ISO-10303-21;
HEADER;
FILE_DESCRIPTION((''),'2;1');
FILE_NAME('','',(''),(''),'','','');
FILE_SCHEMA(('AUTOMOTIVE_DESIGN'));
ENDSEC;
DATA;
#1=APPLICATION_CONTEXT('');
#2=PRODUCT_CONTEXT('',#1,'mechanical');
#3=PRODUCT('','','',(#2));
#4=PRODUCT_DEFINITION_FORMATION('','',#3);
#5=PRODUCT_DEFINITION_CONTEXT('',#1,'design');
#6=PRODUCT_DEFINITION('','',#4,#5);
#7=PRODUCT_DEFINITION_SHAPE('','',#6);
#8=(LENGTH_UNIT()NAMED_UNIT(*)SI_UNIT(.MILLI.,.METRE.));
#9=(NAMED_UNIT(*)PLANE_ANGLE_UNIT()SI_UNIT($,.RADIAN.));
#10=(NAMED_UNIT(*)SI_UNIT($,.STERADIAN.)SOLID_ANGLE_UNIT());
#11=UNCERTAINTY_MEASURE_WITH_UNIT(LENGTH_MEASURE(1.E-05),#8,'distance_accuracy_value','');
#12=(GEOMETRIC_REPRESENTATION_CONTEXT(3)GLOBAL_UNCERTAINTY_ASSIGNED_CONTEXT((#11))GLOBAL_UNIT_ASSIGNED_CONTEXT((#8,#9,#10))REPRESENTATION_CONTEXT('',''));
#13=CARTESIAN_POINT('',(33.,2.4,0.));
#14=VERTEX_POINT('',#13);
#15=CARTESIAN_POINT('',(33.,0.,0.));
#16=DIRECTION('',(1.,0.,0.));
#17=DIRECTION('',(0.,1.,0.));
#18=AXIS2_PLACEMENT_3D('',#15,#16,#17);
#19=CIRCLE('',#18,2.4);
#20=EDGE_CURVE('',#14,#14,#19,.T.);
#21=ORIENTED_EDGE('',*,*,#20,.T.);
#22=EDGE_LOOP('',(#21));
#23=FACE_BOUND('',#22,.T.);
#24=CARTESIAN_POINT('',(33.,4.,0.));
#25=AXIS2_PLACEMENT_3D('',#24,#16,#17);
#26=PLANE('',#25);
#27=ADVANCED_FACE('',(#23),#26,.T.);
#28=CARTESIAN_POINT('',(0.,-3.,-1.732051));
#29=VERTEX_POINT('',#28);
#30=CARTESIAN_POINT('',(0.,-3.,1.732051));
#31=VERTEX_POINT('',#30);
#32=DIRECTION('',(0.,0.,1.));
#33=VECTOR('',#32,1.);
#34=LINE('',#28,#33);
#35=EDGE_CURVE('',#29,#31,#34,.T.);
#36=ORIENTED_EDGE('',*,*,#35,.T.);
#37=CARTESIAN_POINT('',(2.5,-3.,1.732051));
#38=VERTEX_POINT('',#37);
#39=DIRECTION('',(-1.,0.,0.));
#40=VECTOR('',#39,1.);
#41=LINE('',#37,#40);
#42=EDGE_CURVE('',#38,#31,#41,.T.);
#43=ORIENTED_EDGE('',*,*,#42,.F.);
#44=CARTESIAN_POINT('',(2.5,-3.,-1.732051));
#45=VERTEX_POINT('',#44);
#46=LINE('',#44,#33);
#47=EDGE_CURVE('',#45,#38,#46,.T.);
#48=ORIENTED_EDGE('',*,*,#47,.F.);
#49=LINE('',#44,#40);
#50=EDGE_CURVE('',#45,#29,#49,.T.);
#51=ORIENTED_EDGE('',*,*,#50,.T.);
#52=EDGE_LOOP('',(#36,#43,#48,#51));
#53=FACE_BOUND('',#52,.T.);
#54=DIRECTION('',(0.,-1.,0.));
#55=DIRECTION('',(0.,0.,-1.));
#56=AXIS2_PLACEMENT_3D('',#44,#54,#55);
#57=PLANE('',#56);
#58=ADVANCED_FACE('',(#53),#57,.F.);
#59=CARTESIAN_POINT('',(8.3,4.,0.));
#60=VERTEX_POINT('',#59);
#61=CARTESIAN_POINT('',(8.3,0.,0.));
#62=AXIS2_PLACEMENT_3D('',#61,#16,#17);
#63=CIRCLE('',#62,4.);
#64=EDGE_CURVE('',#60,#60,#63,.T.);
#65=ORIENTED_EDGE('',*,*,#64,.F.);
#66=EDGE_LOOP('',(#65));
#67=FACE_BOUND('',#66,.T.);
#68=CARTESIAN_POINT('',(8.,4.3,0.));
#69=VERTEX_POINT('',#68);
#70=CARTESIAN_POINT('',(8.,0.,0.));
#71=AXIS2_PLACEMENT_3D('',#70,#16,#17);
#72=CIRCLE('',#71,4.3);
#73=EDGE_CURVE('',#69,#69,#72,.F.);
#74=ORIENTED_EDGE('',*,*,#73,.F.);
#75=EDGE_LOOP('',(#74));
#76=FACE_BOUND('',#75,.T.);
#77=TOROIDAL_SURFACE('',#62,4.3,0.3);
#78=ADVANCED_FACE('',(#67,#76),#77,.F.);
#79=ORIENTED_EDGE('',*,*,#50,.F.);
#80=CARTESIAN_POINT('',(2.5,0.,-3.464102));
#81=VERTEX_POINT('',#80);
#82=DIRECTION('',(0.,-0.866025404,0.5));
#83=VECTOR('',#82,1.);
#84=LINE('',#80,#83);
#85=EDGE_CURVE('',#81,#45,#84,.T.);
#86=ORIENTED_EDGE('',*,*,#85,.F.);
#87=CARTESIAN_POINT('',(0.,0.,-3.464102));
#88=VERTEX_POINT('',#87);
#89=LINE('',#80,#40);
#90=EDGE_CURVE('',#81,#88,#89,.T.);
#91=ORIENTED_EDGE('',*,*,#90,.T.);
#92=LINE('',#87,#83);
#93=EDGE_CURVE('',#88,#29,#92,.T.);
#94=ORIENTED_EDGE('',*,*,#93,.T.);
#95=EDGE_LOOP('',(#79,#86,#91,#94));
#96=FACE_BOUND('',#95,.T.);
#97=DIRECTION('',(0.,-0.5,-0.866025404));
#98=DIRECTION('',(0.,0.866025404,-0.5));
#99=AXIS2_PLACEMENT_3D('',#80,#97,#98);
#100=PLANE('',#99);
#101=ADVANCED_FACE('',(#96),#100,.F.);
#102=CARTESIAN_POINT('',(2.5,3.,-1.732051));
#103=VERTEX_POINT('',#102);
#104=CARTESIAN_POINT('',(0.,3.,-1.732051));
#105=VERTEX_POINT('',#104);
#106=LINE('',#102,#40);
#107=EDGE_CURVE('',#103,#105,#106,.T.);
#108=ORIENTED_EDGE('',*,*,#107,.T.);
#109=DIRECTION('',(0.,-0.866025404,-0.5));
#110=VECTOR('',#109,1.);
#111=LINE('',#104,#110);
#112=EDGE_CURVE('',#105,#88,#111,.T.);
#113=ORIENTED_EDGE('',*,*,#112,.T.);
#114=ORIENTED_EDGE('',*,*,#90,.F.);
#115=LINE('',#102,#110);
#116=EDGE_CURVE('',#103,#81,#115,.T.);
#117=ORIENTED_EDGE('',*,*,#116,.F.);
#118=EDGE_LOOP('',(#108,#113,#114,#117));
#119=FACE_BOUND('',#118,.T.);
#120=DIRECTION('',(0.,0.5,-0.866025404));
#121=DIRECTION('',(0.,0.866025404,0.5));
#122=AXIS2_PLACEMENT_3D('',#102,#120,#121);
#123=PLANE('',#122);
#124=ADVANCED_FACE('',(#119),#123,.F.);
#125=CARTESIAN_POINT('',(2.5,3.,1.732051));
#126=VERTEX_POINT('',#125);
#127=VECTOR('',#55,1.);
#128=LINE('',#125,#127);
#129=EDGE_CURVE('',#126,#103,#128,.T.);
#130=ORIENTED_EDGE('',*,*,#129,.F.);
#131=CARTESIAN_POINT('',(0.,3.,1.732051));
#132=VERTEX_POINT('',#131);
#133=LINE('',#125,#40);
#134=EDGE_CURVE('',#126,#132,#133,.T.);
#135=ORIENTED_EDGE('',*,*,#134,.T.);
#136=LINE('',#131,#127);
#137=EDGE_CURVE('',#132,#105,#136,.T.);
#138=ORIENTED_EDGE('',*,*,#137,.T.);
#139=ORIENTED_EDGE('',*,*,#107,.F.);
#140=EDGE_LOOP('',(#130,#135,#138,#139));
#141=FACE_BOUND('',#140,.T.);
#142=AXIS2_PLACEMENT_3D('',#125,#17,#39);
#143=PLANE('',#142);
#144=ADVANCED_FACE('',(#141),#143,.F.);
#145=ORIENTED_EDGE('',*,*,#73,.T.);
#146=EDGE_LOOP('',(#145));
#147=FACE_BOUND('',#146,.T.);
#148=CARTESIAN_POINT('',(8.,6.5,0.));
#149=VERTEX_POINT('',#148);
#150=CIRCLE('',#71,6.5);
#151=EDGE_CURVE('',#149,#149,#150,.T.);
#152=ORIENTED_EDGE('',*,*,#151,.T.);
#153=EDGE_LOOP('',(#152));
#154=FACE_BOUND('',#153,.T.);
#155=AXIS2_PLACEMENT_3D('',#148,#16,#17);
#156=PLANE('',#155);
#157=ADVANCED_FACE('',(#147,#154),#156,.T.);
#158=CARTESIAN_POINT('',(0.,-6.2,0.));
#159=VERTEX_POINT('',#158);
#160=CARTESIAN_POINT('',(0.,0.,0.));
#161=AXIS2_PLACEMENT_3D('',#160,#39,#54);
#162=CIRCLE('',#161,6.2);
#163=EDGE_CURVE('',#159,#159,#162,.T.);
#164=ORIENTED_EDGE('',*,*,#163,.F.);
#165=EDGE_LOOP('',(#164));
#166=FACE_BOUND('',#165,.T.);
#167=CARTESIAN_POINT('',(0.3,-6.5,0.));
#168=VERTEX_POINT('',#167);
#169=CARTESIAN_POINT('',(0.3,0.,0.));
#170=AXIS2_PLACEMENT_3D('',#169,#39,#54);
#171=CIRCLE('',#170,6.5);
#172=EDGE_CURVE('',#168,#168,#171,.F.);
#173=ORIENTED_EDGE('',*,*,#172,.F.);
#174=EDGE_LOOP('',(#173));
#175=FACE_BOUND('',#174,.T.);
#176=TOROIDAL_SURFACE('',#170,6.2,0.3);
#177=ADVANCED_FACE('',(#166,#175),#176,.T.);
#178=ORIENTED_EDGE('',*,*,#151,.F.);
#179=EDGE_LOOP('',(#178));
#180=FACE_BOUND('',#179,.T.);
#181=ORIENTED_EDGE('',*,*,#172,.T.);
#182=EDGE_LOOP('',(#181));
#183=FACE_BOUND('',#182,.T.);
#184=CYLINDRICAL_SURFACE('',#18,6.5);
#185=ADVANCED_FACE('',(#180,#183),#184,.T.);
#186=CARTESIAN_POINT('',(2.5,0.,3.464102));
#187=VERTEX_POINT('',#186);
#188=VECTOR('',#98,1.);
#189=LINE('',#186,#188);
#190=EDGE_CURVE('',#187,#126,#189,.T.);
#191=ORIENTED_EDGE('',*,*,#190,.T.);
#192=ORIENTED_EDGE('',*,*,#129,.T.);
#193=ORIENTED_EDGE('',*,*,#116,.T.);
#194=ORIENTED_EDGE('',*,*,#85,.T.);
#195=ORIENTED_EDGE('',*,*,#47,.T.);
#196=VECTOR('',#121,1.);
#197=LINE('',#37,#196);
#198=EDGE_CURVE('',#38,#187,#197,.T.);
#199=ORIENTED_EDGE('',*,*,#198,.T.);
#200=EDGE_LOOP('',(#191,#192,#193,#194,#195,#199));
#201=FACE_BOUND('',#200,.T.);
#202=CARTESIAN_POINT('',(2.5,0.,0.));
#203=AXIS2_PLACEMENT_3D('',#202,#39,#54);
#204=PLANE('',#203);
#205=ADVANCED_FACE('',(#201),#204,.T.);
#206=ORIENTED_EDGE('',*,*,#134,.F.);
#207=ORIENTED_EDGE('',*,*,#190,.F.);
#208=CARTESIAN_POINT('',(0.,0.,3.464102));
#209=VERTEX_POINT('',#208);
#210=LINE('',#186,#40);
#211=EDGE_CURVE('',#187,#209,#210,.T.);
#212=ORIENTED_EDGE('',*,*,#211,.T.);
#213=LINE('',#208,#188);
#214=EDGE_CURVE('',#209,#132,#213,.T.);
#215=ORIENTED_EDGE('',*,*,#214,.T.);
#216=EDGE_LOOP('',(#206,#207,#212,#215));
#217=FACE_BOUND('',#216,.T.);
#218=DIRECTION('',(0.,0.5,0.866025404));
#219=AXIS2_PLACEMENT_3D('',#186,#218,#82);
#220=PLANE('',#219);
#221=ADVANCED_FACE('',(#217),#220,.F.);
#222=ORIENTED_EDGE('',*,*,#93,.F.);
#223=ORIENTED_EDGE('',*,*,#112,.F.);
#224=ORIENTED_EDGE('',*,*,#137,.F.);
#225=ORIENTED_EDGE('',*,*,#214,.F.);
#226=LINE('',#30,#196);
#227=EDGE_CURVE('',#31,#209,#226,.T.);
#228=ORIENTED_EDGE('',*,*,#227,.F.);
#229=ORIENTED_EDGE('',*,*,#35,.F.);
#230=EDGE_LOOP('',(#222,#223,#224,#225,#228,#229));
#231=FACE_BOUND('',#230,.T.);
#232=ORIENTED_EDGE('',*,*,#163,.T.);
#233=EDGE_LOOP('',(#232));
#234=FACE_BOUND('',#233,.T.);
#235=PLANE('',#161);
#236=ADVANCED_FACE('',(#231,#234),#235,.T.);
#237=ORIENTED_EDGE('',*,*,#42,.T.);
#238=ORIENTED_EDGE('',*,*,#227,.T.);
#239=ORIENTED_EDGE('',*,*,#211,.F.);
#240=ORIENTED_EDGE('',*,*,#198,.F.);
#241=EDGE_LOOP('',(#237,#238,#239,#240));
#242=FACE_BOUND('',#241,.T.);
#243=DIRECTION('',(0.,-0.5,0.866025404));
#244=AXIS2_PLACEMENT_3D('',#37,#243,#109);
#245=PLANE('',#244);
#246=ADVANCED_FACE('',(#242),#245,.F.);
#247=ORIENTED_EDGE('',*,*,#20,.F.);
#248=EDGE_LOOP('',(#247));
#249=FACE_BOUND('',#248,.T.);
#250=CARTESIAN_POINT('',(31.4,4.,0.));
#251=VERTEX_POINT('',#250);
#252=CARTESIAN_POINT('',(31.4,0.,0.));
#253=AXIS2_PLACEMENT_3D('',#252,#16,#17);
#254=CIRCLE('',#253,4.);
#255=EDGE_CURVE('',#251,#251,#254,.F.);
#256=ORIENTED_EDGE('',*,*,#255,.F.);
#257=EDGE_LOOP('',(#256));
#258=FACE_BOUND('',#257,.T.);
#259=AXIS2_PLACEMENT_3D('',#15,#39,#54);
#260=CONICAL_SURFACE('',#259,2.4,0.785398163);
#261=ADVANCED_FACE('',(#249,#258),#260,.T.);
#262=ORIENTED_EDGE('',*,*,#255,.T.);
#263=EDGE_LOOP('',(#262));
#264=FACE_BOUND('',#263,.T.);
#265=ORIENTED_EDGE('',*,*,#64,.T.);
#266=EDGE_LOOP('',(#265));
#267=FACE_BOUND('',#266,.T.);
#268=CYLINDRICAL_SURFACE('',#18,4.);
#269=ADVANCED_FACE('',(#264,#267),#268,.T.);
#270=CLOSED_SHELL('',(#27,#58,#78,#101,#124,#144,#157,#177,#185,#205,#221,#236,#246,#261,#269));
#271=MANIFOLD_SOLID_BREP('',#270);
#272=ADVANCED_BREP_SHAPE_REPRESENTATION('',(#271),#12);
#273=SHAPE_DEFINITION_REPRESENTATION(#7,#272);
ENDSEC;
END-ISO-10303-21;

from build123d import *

# Parameters (mm, degrees)
CUT_EXTRUDE_1_DEPTH = 2.5
FILLET_1_R          = 0.3
CHAMFER_1_SIZE      = 1.6


with BuildPart() as part:
    # Эскиз1 → Повернуть1 (revolve)
    with BuildSketch(Plane.XY):
        Polygon((0, 0), (0, 6.5), (8, 6.5), (8, 4), (33, 4), (33, 0), align=None)
    revolve(axis=Axis((33, 0, 0), (-1, 0, 0)))

    # Эскиз2 → Вырез-Вытянуть1 (cut)
    with BuildSketch(Plane.ZY):
        Polygon((-1.732050808, 3), (-3.464101615, 0), (-1.732050808, -3), (1.732050808, -3), (3.464101615, 0), (1.732050808, 3), align=None)
    extrude(amount=-CUT_EXTRUDE_1_DEPTH, mode=Mode.SUBTRACT)

    # Скругление1
    fillet_1_edges = [part.edges().sort_by_distance(p)[0] for p in [
        (8, -4, 0),
        (0, -6.5, 0),
    ]]
    fillet(fillet_1_edges, radius=FILLET_1_R)

    # Фаска1
    chamfer_1_edges = [part.edges().sort_by_distance(p)[0] for p in [
        (33, -4, 0),
    ]]
    chamfer(chamfer_1_edges, length=CHAMFER_1_SIZE)


solid = part.part
